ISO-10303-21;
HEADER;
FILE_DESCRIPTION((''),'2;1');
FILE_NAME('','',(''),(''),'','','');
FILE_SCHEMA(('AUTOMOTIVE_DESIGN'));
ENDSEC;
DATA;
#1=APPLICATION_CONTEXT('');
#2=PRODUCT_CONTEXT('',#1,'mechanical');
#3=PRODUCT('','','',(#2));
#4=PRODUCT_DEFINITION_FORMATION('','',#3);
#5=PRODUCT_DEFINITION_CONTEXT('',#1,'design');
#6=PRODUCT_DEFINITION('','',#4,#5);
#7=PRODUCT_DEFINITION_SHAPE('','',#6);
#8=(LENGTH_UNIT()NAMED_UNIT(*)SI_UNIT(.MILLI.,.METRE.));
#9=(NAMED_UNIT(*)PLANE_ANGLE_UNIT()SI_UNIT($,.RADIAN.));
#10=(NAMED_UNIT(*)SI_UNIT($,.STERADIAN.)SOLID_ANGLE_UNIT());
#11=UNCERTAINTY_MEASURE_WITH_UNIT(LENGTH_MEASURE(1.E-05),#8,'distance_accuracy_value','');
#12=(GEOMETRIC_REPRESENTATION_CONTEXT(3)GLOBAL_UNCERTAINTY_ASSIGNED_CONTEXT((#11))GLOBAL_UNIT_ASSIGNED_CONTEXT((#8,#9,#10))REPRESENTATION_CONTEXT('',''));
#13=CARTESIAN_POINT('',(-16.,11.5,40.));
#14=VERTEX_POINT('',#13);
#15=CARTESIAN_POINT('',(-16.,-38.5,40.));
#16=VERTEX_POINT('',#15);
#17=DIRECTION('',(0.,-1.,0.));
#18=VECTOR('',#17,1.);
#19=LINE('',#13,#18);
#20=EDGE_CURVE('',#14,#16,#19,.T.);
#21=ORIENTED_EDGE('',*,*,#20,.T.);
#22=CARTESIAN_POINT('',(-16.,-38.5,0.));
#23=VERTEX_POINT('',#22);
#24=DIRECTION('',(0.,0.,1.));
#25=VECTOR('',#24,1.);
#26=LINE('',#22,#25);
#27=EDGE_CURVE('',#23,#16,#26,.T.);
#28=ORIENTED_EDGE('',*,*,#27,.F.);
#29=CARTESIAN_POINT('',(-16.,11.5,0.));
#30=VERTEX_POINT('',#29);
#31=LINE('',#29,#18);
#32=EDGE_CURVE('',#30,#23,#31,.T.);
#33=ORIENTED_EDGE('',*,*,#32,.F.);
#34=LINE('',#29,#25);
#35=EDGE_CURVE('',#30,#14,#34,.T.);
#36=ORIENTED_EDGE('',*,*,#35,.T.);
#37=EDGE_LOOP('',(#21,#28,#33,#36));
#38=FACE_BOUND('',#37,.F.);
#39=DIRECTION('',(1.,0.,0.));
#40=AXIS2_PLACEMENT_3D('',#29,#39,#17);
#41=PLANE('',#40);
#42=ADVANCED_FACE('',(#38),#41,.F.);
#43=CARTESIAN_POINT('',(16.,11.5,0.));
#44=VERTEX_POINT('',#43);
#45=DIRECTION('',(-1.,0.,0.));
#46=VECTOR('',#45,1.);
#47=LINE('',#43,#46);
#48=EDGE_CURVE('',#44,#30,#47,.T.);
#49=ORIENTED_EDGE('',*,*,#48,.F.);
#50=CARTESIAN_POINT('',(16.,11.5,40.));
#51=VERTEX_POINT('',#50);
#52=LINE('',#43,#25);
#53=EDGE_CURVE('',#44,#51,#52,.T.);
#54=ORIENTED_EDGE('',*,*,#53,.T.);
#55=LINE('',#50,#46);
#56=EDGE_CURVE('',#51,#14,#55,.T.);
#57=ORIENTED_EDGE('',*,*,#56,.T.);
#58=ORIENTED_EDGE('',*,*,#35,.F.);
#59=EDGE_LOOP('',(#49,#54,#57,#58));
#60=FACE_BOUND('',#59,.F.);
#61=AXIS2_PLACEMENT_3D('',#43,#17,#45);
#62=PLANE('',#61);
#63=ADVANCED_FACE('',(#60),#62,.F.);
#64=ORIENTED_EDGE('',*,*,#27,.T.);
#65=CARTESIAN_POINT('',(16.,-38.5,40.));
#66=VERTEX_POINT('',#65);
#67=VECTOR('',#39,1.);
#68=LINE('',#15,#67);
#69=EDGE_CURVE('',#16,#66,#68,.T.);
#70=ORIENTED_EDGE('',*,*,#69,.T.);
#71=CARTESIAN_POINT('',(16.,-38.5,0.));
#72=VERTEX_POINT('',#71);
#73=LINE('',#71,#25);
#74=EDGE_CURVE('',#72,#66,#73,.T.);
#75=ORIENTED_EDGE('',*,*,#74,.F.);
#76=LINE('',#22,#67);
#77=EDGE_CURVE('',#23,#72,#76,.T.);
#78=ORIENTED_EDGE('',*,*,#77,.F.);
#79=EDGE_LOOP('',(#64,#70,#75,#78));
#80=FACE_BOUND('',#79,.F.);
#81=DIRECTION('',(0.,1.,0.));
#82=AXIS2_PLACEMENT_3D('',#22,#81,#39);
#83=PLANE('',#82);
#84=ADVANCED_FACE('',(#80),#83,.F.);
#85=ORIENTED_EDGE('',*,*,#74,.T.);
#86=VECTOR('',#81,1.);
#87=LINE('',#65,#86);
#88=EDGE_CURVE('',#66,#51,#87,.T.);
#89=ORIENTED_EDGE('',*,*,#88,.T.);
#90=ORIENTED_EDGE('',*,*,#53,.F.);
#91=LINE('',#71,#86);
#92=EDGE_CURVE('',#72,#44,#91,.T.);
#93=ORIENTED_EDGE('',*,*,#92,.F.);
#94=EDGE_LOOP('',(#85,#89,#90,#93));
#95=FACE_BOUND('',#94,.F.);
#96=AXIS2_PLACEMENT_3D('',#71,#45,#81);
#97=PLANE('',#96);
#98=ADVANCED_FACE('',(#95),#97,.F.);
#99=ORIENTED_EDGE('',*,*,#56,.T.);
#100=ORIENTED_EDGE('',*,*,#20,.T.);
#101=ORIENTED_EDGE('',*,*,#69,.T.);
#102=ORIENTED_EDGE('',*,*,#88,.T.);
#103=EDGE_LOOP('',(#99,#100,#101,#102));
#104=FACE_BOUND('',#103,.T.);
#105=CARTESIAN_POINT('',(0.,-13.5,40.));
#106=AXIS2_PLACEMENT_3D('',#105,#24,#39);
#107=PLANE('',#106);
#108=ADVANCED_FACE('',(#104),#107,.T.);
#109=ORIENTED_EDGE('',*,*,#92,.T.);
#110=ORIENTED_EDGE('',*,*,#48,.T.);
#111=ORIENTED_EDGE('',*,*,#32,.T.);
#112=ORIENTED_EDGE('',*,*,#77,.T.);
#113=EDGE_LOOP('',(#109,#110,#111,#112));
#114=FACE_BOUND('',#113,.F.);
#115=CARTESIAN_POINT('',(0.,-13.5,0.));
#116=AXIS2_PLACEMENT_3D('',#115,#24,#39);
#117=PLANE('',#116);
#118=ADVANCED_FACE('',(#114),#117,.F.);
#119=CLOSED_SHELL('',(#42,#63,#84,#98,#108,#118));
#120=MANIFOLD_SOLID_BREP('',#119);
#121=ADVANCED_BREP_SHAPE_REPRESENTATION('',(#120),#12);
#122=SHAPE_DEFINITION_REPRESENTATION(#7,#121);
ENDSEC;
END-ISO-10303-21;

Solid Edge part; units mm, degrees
sketch "Sketch1" plane through (0, 0, 0) normal (0, 0, 1) x (1, 0, 0)
  line L0 (-16, -38.5) -> (16, -38.5)
  line L1 (16, -38.5) -> (16, 11.5)
  line L2 (16, 11.5) -> (-16, 11.5)
  line L3 (-16, 11.5) -> (-16, -38.5)
extrude "Protrusion1" add sketch "Sketch1" along normal blind 40
